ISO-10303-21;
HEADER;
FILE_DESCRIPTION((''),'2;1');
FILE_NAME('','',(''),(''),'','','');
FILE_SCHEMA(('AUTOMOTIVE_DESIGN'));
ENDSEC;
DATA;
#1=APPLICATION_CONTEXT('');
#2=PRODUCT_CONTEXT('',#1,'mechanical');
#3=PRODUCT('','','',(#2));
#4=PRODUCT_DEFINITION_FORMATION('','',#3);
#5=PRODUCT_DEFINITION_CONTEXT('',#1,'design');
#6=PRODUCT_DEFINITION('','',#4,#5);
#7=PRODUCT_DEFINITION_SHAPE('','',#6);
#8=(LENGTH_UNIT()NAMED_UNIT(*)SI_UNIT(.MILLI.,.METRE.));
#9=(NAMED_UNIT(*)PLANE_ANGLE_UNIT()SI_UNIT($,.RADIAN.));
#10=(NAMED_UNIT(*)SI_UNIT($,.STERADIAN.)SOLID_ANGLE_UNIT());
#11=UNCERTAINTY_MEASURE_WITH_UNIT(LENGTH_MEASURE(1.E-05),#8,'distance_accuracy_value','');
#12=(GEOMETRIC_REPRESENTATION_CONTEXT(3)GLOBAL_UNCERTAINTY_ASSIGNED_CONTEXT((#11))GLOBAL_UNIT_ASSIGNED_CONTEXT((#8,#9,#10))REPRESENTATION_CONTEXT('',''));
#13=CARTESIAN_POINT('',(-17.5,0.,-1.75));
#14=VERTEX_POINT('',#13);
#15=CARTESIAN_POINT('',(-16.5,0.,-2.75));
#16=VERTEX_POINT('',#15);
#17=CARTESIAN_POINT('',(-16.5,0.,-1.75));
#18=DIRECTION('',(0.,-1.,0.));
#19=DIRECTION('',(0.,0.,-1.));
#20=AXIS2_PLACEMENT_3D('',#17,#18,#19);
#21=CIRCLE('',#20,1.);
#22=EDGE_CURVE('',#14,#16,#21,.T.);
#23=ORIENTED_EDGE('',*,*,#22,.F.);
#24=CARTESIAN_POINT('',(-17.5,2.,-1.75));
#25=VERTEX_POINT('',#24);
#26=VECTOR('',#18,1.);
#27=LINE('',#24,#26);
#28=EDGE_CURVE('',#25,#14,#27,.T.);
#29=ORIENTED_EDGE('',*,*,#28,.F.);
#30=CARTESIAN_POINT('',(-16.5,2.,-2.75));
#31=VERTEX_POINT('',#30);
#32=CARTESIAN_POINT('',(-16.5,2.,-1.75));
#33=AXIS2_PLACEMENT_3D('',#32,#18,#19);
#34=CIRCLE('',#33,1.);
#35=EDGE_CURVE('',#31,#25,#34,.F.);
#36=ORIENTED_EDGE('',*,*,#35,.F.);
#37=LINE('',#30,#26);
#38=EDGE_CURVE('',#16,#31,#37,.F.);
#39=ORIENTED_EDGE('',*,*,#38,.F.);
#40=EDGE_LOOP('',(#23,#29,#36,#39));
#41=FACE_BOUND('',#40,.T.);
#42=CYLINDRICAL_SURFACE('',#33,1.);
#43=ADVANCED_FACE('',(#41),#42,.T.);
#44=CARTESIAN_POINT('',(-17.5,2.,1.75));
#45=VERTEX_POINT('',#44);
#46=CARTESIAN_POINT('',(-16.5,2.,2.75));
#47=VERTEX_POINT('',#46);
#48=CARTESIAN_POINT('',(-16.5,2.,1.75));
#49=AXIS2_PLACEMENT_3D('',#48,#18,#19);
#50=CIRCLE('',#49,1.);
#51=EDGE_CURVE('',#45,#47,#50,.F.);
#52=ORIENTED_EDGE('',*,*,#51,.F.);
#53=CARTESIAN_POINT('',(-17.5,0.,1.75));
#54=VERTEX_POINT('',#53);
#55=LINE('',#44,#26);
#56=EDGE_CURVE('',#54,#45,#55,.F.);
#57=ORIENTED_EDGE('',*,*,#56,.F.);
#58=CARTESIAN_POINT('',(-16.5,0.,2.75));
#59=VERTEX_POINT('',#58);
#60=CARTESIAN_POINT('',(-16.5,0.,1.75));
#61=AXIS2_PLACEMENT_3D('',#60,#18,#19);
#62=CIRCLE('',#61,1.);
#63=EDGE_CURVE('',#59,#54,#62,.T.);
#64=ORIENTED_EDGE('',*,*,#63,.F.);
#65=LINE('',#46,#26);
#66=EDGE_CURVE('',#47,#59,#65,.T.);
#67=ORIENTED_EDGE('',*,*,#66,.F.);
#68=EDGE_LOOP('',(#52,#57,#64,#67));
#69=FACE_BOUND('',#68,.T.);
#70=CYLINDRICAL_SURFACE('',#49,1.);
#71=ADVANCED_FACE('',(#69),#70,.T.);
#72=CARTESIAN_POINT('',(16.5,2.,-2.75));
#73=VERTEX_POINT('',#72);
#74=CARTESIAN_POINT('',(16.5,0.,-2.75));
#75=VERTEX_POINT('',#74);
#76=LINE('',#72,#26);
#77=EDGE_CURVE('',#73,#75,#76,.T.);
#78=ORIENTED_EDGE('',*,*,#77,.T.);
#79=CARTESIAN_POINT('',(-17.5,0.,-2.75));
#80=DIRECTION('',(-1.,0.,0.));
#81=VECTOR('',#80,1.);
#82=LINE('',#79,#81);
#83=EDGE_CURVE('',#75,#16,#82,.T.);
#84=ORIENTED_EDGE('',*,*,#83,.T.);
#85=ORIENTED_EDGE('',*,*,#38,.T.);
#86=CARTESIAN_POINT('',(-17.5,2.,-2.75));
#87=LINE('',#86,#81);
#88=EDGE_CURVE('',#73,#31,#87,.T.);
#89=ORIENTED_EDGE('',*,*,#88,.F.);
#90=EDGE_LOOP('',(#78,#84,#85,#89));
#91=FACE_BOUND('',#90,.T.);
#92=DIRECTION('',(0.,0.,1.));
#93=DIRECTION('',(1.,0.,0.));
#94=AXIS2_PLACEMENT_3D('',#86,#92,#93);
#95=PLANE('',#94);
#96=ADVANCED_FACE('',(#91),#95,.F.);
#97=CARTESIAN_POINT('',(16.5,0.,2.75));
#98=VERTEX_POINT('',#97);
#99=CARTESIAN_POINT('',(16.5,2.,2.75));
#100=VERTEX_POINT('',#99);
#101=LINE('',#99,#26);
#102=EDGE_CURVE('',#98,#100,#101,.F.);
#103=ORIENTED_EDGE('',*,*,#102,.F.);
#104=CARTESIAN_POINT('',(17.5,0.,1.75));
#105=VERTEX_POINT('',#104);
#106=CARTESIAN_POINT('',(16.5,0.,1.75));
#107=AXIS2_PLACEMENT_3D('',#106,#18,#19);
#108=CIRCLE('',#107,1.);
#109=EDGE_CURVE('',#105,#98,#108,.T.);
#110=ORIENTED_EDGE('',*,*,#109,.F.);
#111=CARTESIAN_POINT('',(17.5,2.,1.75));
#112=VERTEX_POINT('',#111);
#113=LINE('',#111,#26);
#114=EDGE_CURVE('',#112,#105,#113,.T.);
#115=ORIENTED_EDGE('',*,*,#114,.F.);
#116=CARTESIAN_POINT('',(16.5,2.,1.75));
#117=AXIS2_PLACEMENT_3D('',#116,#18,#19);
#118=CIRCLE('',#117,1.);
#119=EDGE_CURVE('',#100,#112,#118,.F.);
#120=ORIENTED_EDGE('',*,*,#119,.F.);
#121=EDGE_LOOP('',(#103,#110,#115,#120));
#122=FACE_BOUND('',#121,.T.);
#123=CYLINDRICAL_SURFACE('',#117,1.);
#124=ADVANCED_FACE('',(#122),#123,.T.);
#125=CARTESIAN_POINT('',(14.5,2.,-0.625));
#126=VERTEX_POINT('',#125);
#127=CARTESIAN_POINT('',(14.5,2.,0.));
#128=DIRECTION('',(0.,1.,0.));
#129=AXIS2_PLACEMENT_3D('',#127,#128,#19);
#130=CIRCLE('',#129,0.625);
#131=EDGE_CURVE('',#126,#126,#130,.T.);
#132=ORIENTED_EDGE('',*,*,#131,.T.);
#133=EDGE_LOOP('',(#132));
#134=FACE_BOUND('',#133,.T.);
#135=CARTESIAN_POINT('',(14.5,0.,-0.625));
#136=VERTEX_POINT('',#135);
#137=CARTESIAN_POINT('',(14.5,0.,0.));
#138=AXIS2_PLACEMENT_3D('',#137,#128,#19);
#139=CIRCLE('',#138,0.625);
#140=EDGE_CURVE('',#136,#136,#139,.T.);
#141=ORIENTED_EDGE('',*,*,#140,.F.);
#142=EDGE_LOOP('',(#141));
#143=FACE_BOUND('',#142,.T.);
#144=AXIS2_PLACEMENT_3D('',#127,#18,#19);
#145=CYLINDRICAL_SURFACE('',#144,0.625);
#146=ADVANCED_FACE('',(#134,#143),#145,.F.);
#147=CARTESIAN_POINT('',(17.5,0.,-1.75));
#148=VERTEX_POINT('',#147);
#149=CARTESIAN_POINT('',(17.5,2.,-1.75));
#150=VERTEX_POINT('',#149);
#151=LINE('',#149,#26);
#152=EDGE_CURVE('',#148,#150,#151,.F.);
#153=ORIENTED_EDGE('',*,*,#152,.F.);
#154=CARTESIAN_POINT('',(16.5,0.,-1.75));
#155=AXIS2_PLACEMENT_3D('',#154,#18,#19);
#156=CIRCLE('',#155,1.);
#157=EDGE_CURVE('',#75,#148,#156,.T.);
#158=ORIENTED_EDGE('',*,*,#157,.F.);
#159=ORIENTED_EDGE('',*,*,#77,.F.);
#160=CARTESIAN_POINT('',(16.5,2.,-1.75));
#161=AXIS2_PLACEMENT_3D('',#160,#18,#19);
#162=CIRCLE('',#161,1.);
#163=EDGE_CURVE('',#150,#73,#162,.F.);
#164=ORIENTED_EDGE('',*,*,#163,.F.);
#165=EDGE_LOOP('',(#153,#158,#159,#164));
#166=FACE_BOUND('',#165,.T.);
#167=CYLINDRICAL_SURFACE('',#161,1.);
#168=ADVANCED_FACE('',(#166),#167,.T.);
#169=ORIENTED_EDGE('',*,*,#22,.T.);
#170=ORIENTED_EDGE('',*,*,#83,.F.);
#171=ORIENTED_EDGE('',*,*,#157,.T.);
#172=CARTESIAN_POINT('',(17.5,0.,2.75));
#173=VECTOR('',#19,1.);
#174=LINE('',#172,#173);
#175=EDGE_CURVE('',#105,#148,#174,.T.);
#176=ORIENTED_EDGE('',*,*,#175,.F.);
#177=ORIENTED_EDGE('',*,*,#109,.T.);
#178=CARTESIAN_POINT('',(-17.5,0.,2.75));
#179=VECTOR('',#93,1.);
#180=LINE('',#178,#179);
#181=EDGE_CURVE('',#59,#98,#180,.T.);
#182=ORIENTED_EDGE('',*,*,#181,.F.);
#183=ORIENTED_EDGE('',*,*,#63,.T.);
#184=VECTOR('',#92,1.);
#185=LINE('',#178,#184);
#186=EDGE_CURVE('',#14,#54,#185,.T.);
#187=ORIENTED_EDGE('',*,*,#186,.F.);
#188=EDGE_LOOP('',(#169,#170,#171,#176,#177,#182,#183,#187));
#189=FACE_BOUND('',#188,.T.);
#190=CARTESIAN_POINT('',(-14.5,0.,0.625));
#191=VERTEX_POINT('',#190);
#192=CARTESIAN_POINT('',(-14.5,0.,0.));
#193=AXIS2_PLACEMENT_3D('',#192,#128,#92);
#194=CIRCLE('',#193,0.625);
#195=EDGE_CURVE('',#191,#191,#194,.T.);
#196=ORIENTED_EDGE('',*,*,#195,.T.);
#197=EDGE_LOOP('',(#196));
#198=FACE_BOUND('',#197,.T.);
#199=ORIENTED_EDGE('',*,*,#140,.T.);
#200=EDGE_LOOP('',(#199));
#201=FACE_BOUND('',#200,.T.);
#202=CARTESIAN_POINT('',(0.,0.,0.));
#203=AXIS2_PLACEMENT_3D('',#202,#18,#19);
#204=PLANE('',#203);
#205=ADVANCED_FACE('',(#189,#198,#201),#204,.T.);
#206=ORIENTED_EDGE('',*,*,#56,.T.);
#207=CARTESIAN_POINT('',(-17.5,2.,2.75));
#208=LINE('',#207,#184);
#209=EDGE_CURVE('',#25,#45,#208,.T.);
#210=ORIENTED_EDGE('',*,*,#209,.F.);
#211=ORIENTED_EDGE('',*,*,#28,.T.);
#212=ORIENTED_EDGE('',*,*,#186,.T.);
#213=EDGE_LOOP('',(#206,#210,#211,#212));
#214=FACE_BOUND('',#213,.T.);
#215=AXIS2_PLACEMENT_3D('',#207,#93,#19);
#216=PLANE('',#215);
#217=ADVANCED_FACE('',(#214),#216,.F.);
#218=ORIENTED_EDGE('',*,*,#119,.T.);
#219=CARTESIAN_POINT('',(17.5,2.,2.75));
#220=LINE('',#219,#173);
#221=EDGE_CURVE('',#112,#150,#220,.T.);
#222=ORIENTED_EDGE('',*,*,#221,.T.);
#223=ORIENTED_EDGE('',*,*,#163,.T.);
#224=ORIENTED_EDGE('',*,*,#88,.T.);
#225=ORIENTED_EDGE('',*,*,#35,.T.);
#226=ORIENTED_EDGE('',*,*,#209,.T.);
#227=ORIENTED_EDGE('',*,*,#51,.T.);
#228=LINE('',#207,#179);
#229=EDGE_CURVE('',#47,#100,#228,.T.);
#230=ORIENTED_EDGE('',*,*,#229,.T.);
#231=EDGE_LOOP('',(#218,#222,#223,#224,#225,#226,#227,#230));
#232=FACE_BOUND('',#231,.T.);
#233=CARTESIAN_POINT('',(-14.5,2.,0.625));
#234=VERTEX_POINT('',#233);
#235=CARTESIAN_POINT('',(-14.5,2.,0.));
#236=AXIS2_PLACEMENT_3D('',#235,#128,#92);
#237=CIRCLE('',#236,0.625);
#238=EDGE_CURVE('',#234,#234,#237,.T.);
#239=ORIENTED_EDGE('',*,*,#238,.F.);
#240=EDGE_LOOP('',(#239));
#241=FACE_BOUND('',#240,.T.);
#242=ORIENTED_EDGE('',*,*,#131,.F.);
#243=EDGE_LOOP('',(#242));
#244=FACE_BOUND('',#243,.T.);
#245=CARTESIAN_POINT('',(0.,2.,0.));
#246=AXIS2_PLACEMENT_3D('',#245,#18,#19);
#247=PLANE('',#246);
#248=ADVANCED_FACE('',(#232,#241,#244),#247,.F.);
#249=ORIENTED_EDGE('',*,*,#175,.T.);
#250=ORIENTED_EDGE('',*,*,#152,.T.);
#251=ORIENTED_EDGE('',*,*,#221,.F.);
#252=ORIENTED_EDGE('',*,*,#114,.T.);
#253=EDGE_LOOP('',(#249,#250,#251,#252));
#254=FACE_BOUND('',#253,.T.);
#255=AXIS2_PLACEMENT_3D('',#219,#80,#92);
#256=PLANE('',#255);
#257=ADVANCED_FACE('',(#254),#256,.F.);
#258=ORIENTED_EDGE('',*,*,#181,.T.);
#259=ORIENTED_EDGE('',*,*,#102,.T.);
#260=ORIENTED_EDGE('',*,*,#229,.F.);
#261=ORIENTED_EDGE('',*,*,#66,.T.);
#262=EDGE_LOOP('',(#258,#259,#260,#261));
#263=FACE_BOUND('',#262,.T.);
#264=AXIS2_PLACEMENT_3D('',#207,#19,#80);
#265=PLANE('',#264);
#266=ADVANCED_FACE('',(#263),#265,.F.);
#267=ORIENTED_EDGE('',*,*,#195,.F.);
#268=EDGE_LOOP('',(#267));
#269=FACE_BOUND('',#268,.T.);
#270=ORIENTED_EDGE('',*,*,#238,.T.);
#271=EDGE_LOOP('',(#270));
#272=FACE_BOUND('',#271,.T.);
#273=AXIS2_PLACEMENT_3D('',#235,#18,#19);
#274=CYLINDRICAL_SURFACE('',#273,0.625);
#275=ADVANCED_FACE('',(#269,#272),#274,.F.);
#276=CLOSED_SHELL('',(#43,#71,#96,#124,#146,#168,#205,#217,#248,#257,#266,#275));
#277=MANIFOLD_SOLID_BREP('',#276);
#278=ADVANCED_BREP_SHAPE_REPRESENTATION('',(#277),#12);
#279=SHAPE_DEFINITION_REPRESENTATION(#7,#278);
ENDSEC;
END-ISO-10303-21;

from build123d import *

# Parameters (mm, degrees)
CROQUIS1_W              = 35
CROQUIS1_H              = 5.5
CROQUIS1_R              = 0.625
SALIENTE_EXTRUIR1_DEPTH = 2
REDONDEO1_R             = 1


with BuildPart() as part:
    # Croquis1 → Saliente-Extruir1 (new body)
    with BuildSketch(Plane(origin=(0, 0, 0), x_dir=(1, 0, 0), z_dir=(0, 1, 0))):
        Rectangle(CROQUIS1_W, CROQUIS1_H)
        with Locations(Location((-14.5, 0, 0), (0, 0, 270))):
            Circle(CROQUIS1_R, mode=Mode.SUBTRACT)
        with Locations(Location((14.5, 0, 0), (0, 0, 90))):
            Circle(CROQUIS1_R, mode=Mode.SUBTRACT)
    extrude(amount=SALIENTE_EXTRUIR1_DEPTH)

    # Redondeo1
    redondeo1_edges = [part.edges().sort_by_distance(p)[0] for p in [
        (17.5, 1, 2.75),
        (-17.5, 1, 2.75),
        (-17.5, 1, -2.75),
        (17.5, 1, -2.75),
    ]]
    fillet(redondeo1_edges, radius=REDONDEO1_R)


solid = part.part
